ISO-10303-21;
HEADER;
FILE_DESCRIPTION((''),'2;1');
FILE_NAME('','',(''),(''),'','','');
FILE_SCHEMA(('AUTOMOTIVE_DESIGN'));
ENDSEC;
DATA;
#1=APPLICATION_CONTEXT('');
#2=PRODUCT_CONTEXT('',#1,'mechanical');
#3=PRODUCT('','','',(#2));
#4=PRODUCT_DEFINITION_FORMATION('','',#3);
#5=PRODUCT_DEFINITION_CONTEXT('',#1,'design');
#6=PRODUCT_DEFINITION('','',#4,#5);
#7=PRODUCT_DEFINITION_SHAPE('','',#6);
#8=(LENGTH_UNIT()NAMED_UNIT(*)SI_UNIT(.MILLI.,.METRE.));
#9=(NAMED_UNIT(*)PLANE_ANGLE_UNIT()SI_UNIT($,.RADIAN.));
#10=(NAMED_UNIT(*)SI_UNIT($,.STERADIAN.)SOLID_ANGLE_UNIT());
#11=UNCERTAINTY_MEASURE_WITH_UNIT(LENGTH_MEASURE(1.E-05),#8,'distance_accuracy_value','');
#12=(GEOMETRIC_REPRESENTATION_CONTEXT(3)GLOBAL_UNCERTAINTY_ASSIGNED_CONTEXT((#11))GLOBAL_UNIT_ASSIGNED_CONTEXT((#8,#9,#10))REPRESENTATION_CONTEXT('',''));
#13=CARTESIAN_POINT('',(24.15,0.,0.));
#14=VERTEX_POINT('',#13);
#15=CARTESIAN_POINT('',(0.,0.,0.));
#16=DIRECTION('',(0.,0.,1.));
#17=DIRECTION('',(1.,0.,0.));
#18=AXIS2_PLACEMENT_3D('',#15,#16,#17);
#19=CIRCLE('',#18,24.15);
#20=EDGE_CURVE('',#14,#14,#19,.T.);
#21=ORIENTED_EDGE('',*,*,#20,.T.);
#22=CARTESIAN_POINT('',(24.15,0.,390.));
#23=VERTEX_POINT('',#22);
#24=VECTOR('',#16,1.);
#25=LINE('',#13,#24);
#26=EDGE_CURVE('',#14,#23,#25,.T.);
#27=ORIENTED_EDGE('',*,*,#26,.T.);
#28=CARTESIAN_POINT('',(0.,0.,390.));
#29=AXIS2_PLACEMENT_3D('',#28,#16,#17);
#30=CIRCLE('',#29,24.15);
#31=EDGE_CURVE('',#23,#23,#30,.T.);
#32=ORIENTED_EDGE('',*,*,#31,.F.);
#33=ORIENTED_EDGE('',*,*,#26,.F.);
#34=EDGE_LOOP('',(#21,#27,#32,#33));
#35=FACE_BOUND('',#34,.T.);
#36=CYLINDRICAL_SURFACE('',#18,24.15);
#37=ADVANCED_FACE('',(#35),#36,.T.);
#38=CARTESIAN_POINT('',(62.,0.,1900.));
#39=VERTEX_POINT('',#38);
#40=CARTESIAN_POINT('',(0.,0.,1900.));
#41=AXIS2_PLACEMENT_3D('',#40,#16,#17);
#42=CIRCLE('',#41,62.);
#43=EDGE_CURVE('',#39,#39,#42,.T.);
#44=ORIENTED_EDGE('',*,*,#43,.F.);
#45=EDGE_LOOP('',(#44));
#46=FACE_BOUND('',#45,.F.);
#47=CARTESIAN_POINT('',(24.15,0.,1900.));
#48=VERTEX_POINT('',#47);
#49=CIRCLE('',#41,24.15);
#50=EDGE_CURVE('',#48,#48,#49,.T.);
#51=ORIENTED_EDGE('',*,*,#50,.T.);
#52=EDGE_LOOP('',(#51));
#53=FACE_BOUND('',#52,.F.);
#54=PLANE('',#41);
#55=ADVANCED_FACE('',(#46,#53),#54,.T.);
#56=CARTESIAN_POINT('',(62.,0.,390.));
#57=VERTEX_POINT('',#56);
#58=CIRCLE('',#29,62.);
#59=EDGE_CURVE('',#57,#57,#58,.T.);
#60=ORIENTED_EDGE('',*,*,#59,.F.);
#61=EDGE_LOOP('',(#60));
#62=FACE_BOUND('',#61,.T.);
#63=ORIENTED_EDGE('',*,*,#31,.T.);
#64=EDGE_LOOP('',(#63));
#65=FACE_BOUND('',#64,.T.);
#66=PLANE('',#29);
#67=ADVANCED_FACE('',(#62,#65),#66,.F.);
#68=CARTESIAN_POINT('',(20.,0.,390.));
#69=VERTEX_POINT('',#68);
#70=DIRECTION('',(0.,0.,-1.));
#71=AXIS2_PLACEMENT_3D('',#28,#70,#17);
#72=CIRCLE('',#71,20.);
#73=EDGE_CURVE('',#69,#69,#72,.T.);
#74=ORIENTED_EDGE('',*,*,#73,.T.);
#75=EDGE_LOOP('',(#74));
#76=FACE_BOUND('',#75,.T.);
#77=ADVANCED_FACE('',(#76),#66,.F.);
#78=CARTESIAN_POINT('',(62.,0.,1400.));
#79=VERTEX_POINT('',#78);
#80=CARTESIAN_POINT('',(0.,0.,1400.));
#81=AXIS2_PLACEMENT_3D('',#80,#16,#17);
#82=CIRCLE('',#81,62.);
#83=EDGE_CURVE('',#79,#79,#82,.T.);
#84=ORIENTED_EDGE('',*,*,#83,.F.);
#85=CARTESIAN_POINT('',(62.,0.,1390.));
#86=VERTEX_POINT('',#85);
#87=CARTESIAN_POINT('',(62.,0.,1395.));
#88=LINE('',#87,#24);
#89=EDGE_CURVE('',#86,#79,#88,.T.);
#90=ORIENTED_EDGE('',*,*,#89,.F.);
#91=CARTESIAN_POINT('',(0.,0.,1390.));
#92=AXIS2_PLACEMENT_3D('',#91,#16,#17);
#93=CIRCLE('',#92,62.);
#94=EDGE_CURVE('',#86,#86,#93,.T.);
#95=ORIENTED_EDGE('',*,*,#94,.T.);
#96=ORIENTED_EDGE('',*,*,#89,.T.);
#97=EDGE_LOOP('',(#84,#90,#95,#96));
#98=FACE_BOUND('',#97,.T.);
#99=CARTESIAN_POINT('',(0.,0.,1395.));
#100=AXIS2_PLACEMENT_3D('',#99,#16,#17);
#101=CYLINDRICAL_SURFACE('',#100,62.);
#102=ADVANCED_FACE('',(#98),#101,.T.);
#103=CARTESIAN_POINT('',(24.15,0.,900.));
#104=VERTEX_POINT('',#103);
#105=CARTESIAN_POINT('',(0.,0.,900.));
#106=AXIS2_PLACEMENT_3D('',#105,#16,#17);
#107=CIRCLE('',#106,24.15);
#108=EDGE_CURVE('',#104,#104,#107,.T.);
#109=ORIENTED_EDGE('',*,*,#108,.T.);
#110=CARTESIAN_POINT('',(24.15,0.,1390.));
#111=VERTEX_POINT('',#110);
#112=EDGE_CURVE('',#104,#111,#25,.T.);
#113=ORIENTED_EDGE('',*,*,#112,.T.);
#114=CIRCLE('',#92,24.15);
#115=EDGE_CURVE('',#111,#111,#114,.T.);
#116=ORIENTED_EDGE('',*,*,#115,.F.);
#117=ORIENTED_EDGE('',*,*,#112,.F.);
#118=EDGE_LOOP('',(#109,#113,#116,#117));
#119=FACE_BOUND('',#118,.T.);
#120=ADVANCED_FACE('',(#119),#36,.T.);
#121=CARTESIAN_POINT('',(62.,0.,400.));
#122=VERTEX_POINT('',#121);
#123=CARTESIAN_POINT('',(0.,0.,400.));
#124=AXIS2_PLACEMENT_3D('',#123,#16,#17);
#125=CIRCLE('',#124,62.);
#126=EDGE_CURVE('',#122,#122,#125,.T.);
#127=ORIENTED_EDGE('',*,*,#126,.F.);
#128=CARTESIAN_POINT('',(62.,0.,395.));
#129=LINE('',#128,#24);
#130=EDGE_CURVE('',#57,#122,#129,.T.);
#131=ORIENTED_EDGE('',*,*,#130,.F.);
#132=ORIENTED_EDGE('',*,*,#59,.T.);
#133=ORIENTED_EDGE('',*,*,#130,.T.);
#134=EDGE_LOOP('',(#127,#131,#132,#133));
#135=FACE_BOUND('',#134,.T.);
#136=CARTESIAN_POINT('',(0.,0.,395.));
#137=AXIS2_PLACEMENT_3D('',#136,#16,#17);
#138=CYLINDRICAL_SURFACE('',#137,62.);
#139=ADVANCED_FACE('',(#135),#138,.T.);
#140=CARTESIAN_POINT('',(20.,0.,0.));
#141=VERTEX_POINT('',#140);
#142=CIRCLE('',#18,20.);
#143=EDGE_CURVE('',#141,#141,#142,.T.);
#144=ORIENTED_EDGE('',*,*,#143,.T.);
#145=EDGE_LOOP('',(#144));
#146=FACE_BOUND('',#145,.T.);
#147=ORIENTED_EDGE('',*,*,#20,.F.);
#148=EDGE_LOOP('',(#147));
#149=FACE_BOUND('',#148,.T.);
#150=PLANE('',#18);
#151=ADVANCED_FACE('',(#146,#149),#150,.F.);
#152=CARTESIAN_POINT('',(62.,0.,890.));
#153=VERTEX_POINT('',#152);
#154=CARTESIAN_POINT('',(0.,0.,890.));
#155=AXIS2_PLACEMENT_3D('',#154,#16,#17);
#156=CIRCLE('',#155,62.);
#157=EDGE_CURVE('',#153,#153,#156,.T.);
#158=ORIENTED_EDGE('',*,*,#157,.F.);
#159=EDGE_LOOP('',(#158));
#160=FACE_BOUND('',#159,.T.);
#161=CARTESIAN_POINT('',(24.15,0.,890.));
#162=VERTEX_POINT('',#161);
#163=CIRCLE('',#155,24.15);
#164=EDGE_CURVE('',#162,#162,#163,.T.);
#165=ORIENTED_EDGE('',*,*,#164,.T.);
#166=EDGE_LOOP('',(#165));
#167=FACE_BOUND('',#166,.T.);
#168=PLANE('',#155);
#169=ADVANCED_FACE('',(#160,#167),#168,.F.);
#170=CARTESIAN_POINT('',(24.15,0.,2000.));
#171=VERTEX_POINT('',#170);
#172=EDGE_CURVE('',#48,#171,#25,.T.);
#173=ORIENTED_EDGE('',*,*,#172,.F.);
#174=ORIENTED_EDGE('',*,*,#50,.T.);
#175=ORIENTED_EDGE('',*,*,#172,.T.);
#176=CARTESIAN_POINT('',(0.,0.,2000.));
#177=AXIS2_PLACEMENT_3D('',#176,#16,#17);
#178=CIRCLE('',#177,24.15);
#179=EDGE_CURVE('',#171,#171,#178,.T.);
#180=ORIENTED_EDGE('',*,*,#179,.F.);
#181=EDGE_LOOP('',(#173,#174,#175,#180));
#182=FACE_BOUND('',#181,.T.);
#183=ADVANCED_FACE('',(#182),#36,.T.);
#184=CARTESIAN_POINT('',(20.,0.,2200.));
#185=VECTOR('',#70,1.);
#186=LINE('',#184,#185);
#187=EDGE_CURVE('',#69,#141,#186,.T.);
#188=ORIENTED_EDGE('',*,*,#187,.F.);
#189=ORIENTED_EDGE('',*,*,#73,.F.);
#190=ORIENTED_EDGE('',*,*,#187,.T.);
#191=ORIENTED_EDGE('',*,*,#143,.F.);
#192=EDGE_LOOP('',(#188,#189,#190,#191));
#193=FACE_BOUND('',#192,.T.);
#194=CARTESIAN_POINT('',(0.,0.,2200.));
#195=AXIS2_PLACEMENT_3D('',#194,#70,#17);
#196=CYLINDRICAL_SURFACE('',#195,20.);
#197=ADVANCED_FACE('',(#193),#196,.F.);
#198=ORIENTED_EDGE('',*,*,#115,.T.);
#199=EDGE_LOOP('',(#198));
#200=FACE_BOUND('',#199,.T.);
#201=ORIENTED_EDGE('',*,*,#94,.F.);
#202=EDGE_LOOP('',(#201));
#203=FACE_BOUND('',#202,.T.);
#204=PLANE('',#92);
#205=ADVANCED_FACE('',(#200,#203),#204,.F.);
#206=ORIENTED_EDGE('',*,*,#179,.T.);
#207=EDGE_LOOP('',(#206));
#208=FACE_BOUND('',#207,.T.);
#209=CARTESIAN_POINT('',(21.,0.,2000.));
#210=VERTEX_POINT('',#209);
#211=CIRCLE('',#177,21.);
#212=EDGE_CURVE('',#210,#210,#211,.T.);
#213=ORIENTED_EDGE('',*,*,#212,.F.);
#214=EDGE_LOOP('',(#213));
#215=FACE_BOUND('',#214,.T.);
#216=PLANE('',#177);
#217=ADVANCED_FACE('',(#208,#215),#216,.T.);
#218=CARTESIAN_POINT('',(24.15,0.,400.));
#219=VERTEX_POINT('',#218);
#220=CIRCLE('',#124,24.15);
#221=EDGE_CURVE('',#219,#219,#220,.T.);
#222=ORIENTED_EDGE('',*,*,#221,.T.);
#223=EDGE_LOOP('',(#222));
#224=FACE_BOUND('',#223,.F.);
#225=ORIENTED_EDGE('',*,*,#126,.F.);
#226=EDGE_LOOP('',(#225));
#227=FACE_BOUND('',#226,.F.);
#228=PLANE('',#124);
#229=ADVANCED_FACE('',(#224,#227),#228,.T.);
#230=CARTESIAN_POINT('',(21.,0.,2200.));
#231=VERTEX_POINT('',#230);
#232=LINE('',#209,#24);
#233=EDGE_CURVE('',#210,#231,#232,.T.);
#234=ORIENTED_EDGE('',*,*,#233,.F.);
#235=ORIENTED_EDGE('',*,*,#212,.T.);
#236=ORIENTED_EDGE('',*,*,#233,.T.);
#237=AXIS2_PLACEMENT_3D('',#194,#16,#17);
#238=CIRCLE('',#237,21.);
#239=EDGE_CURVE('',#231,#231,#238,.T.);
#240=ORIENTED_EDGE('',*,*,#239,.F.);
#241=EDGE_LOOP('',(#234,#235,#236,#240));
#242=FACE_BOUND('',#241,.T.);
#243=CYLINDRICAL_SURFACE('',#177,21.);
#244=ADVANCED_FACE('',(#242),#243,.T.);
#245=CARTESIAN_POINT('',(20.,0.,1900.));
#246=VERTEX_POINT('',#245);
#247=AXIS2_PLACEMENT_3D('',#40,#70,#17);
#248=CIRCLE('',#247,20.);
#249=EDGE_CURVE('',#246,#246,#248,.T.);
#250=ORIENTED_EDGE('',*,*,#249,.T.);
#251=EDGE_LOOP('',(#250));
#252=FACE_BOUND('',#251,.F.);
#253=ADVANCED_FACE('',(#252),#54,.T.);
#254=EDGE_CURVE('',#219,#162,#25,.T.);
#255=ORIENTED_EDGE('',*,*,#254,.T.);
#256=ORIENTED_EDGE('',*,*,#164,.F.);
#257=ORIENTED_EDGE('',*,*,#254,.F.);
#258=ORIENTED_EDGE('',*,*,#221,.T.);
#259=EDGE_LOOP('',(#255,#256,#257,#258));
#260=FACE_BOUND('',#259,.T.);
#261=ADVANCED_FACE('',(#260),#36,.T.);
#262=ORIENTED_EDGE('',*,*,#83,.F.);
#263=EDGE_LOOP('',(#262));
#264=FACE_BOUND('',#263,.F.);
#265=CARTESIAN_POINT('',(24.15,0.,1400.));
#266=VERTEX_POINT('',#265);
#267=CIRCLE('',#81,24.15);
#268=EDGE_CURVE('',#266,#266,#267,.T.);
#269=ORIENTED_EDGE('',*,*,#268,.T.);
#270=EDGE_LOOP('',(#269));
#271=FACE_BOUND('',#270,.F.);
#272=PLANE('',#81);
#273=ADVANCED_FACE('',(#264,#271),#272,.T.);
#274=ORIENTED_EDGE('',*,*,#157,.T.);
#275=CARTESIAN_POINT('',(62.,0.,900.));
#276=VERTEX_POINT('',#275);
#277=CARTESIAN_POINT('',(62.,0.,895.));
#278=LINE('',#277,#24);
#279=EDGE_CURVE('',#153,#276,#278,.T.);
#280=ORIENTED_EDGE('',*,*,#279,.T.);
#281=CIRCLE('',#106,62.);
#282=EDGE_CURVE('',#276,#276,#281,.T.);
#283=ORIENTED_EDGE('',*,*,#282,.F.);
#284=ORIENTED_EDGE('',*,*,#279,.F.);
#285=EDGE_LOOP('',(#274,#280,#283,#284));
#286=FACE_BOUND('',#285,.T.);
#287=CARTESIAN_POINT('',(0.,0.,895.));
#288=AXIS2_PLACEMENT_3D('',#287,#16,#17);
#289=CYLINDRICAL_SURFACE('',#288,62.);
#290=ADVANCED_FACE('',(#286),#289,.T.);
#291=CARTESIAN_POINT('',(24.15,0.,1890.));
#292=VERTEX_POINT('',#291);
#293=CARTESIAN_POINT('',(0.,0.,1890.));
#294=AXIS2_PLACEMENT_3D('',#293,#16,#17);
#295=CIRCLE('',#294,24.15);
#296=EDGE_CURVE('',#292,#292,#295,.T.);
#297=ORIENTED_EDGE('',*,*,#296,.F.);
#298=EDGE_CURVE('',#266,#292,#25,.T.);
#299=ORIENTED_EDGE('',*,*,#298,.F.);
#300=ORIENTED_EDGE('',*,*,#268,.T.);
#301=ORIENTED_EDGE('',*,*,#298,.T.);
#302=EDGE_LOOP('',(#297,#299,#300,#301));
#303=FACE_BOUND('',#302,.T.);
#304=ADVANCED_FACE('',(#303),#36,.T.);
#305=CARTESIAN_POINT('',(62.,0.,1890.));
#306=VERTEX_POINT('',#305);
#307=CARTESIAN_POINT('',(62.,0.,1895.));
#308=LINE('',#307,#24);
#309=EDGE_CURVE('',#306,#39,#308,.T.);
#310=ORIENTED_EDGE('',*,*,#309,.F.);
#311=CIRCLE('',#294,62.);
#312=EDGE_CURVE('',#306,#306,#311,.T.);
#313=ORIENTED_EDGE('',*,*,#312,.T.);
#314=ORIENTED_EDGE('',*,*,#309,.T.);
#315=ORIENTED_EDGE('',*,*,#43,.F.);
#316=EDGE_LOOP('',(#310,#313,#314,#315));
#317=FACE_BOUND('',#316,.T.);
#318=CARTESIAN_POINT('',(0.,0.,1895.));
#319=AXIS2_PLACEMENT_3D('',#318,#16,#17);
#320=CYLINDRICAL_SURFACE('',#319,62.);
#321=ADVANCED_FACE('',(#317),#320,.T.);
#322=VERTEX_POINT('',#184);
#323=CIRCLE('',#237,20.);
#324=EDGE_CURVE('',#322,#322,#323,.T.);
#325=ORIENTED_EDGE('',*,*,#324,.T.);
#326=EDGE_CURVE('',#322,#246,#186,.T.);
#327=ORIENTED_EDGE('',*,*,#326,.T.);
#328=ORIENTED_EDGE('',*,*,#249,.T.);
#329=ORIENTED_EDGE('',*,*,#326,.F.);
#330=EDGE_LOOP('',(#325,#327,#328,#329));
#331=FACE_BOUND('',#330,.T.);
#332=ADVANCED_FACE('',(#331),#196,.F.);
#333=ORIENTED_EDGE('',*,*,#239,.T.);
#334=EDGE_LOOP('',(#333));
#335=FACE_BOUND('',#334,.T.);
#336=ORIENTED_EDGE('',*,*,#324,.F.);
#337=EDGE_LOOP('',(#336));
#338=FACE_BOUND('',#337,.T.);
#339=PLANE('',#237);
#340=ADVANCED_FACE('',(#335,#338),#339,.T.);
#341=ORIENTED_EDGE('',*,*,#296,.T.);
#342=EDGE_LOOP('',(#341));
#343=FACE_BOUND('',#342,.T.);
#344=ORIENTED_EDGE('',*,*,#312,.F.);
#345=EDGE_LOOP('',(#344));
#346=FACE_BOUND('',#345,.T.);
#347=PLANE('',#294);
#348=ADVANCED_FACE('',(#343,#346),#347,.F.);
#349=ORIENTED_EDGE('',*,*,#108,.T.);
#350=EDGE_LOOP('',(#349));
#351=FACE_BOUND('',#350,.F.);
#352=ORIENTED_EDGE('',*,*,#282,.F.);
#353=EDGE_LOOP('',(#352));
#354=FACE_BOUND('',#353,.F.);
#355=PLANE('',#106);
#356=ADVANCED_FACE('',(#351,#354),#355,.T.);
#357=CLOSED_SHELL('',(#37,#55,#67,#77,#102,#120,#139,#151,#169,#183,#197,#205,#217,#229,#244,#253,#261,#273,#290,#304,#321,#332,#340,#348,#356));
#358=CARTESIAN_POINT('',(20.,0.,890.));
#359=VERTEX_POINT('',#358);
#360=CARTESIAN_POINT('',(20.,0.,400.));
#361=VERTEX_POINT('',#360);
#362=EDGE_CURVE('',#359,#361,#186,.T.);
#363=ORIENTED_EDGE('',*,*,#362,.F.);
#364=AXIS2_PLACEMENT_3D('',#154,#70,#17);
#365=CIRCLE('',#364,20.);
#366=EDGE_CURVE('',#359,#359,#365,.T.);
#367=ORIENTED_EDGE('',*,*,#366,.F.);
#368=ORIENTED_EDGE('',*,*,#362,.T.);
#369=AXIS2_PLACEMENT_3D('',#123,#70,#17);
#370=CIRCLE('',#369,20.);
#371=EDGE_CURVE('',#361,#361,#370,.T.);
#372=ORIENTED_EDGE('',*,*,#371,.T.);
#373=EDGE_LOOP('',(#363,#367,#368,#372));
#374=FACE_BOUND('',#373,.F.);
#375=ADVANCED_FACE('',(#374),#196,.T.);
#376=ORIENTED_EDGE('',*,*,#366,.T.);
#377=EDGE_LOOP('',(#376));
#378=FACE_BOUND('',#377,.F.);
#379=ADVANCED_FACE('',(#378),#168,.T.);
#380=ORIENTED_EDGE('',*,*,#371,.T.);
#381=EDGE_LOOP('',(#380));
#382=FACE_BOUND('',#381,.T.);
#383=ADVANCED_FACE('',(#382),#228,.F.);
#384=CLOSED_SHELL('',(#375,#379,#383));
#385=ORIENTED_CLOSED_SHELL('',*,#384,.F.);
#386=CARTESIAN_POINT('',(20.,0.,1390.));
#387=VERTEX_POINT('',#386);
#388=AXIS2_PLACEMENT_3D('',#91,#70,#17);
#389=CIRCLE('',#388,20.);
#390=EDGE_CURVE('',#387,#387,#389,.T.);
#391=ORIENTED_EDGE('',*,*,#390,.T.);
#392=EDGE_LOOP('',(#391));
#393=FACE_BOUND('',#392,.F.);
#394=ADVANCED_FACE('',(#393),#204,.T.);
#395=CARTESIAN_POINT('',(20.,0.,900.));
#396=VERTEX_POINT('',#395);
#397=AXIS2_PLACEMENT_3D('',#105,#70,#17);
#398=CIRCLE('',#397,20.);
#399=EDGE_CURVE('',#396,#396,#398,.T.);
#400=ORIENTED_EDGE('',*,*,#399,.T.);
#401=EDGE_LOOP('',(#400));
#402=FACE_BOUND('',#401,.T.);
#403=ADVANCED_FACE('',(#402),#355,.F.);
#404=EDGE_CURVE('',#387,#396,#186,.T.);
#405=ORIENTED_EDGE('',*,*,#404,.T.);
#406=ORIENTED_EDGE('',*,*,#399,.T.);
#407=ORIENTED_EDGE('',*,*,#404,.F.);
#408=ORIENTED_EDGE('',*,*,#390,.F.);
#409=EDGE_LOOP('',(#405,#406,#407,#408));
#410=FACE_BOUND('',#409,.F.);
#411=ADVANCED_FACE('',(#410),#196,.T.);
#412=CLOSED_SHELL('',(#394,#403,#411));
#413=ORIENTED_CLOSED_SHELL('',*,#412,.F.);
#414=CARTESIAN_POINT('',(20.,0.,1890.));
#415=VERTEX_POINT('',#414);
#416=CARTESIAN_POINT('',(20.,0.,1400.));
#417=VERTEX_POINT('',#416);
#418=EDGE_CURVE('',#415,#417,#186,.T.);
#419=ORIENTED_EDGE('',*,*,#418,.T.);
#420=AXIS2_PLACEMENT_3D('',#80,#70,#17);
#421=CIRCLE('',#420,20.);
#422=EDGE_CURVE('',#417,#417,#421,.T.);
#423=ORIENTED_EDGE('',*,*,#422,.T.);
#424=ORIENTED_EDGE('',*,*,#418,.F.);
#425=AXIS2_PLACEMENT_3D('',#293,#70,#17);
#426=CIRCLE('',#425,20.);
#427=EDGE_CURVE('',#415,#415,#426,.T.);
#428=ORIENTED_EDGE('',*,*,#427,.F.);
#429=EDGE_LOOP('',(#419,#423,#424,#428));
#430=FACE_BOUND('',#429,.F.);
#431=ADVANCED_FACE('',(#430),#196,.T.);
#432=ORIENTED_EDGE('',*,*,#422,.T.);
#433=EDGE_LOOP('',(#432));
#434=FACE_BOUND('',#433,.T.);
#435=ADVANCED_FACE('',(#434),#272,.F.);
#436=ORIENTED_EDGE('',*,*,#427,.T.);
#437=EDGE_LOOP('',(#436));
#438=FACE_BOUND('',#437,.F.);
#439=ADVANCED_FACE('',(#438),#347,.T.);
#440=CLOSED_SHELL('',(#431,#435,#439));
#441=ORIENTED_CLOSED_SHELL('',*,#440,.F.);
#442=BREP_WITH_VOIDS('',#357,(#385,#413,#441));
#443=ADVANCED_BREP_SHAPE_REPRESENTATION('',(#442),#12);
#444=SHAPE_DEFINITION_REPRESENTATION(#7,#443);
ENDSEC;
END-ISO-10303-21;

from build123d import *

# Parameters (mm, degrees)
F2_W = 62
F2_H = 10


with BuildPart() as f1:
    # F0 (on Front) → F1 (revolve)
    with BuildSketch(Plane.XZ):
        Polygon((20, 400), (20, 0), (24.15, 0), (24.15, 2000), (21, 2000), (21, 2200), (20, 2200), (20, 1501.37949), align=None)
    revolve(axis=Axis((0, 0, 1100), (0, 0, 1)))

    # F2 (on Front) → F3 (revolve)
    with BuildSketch(Plane.XZ):
        with Locations((31, 395)):
            Rectangle(F2_W, F2_H)
        with Locations((31, 895)):
            Rectangle(F2_W, F2_H)
        with Locations((31, 1395)):
            Rectangle(F2_W, F2_H)
        with Locations((31, 1895)):
            Rectangle(F2_W, F2_H)
    revolve(axis=Axis((0, 0, 197.5), (0, 0, 1)))


solid = f1.part
